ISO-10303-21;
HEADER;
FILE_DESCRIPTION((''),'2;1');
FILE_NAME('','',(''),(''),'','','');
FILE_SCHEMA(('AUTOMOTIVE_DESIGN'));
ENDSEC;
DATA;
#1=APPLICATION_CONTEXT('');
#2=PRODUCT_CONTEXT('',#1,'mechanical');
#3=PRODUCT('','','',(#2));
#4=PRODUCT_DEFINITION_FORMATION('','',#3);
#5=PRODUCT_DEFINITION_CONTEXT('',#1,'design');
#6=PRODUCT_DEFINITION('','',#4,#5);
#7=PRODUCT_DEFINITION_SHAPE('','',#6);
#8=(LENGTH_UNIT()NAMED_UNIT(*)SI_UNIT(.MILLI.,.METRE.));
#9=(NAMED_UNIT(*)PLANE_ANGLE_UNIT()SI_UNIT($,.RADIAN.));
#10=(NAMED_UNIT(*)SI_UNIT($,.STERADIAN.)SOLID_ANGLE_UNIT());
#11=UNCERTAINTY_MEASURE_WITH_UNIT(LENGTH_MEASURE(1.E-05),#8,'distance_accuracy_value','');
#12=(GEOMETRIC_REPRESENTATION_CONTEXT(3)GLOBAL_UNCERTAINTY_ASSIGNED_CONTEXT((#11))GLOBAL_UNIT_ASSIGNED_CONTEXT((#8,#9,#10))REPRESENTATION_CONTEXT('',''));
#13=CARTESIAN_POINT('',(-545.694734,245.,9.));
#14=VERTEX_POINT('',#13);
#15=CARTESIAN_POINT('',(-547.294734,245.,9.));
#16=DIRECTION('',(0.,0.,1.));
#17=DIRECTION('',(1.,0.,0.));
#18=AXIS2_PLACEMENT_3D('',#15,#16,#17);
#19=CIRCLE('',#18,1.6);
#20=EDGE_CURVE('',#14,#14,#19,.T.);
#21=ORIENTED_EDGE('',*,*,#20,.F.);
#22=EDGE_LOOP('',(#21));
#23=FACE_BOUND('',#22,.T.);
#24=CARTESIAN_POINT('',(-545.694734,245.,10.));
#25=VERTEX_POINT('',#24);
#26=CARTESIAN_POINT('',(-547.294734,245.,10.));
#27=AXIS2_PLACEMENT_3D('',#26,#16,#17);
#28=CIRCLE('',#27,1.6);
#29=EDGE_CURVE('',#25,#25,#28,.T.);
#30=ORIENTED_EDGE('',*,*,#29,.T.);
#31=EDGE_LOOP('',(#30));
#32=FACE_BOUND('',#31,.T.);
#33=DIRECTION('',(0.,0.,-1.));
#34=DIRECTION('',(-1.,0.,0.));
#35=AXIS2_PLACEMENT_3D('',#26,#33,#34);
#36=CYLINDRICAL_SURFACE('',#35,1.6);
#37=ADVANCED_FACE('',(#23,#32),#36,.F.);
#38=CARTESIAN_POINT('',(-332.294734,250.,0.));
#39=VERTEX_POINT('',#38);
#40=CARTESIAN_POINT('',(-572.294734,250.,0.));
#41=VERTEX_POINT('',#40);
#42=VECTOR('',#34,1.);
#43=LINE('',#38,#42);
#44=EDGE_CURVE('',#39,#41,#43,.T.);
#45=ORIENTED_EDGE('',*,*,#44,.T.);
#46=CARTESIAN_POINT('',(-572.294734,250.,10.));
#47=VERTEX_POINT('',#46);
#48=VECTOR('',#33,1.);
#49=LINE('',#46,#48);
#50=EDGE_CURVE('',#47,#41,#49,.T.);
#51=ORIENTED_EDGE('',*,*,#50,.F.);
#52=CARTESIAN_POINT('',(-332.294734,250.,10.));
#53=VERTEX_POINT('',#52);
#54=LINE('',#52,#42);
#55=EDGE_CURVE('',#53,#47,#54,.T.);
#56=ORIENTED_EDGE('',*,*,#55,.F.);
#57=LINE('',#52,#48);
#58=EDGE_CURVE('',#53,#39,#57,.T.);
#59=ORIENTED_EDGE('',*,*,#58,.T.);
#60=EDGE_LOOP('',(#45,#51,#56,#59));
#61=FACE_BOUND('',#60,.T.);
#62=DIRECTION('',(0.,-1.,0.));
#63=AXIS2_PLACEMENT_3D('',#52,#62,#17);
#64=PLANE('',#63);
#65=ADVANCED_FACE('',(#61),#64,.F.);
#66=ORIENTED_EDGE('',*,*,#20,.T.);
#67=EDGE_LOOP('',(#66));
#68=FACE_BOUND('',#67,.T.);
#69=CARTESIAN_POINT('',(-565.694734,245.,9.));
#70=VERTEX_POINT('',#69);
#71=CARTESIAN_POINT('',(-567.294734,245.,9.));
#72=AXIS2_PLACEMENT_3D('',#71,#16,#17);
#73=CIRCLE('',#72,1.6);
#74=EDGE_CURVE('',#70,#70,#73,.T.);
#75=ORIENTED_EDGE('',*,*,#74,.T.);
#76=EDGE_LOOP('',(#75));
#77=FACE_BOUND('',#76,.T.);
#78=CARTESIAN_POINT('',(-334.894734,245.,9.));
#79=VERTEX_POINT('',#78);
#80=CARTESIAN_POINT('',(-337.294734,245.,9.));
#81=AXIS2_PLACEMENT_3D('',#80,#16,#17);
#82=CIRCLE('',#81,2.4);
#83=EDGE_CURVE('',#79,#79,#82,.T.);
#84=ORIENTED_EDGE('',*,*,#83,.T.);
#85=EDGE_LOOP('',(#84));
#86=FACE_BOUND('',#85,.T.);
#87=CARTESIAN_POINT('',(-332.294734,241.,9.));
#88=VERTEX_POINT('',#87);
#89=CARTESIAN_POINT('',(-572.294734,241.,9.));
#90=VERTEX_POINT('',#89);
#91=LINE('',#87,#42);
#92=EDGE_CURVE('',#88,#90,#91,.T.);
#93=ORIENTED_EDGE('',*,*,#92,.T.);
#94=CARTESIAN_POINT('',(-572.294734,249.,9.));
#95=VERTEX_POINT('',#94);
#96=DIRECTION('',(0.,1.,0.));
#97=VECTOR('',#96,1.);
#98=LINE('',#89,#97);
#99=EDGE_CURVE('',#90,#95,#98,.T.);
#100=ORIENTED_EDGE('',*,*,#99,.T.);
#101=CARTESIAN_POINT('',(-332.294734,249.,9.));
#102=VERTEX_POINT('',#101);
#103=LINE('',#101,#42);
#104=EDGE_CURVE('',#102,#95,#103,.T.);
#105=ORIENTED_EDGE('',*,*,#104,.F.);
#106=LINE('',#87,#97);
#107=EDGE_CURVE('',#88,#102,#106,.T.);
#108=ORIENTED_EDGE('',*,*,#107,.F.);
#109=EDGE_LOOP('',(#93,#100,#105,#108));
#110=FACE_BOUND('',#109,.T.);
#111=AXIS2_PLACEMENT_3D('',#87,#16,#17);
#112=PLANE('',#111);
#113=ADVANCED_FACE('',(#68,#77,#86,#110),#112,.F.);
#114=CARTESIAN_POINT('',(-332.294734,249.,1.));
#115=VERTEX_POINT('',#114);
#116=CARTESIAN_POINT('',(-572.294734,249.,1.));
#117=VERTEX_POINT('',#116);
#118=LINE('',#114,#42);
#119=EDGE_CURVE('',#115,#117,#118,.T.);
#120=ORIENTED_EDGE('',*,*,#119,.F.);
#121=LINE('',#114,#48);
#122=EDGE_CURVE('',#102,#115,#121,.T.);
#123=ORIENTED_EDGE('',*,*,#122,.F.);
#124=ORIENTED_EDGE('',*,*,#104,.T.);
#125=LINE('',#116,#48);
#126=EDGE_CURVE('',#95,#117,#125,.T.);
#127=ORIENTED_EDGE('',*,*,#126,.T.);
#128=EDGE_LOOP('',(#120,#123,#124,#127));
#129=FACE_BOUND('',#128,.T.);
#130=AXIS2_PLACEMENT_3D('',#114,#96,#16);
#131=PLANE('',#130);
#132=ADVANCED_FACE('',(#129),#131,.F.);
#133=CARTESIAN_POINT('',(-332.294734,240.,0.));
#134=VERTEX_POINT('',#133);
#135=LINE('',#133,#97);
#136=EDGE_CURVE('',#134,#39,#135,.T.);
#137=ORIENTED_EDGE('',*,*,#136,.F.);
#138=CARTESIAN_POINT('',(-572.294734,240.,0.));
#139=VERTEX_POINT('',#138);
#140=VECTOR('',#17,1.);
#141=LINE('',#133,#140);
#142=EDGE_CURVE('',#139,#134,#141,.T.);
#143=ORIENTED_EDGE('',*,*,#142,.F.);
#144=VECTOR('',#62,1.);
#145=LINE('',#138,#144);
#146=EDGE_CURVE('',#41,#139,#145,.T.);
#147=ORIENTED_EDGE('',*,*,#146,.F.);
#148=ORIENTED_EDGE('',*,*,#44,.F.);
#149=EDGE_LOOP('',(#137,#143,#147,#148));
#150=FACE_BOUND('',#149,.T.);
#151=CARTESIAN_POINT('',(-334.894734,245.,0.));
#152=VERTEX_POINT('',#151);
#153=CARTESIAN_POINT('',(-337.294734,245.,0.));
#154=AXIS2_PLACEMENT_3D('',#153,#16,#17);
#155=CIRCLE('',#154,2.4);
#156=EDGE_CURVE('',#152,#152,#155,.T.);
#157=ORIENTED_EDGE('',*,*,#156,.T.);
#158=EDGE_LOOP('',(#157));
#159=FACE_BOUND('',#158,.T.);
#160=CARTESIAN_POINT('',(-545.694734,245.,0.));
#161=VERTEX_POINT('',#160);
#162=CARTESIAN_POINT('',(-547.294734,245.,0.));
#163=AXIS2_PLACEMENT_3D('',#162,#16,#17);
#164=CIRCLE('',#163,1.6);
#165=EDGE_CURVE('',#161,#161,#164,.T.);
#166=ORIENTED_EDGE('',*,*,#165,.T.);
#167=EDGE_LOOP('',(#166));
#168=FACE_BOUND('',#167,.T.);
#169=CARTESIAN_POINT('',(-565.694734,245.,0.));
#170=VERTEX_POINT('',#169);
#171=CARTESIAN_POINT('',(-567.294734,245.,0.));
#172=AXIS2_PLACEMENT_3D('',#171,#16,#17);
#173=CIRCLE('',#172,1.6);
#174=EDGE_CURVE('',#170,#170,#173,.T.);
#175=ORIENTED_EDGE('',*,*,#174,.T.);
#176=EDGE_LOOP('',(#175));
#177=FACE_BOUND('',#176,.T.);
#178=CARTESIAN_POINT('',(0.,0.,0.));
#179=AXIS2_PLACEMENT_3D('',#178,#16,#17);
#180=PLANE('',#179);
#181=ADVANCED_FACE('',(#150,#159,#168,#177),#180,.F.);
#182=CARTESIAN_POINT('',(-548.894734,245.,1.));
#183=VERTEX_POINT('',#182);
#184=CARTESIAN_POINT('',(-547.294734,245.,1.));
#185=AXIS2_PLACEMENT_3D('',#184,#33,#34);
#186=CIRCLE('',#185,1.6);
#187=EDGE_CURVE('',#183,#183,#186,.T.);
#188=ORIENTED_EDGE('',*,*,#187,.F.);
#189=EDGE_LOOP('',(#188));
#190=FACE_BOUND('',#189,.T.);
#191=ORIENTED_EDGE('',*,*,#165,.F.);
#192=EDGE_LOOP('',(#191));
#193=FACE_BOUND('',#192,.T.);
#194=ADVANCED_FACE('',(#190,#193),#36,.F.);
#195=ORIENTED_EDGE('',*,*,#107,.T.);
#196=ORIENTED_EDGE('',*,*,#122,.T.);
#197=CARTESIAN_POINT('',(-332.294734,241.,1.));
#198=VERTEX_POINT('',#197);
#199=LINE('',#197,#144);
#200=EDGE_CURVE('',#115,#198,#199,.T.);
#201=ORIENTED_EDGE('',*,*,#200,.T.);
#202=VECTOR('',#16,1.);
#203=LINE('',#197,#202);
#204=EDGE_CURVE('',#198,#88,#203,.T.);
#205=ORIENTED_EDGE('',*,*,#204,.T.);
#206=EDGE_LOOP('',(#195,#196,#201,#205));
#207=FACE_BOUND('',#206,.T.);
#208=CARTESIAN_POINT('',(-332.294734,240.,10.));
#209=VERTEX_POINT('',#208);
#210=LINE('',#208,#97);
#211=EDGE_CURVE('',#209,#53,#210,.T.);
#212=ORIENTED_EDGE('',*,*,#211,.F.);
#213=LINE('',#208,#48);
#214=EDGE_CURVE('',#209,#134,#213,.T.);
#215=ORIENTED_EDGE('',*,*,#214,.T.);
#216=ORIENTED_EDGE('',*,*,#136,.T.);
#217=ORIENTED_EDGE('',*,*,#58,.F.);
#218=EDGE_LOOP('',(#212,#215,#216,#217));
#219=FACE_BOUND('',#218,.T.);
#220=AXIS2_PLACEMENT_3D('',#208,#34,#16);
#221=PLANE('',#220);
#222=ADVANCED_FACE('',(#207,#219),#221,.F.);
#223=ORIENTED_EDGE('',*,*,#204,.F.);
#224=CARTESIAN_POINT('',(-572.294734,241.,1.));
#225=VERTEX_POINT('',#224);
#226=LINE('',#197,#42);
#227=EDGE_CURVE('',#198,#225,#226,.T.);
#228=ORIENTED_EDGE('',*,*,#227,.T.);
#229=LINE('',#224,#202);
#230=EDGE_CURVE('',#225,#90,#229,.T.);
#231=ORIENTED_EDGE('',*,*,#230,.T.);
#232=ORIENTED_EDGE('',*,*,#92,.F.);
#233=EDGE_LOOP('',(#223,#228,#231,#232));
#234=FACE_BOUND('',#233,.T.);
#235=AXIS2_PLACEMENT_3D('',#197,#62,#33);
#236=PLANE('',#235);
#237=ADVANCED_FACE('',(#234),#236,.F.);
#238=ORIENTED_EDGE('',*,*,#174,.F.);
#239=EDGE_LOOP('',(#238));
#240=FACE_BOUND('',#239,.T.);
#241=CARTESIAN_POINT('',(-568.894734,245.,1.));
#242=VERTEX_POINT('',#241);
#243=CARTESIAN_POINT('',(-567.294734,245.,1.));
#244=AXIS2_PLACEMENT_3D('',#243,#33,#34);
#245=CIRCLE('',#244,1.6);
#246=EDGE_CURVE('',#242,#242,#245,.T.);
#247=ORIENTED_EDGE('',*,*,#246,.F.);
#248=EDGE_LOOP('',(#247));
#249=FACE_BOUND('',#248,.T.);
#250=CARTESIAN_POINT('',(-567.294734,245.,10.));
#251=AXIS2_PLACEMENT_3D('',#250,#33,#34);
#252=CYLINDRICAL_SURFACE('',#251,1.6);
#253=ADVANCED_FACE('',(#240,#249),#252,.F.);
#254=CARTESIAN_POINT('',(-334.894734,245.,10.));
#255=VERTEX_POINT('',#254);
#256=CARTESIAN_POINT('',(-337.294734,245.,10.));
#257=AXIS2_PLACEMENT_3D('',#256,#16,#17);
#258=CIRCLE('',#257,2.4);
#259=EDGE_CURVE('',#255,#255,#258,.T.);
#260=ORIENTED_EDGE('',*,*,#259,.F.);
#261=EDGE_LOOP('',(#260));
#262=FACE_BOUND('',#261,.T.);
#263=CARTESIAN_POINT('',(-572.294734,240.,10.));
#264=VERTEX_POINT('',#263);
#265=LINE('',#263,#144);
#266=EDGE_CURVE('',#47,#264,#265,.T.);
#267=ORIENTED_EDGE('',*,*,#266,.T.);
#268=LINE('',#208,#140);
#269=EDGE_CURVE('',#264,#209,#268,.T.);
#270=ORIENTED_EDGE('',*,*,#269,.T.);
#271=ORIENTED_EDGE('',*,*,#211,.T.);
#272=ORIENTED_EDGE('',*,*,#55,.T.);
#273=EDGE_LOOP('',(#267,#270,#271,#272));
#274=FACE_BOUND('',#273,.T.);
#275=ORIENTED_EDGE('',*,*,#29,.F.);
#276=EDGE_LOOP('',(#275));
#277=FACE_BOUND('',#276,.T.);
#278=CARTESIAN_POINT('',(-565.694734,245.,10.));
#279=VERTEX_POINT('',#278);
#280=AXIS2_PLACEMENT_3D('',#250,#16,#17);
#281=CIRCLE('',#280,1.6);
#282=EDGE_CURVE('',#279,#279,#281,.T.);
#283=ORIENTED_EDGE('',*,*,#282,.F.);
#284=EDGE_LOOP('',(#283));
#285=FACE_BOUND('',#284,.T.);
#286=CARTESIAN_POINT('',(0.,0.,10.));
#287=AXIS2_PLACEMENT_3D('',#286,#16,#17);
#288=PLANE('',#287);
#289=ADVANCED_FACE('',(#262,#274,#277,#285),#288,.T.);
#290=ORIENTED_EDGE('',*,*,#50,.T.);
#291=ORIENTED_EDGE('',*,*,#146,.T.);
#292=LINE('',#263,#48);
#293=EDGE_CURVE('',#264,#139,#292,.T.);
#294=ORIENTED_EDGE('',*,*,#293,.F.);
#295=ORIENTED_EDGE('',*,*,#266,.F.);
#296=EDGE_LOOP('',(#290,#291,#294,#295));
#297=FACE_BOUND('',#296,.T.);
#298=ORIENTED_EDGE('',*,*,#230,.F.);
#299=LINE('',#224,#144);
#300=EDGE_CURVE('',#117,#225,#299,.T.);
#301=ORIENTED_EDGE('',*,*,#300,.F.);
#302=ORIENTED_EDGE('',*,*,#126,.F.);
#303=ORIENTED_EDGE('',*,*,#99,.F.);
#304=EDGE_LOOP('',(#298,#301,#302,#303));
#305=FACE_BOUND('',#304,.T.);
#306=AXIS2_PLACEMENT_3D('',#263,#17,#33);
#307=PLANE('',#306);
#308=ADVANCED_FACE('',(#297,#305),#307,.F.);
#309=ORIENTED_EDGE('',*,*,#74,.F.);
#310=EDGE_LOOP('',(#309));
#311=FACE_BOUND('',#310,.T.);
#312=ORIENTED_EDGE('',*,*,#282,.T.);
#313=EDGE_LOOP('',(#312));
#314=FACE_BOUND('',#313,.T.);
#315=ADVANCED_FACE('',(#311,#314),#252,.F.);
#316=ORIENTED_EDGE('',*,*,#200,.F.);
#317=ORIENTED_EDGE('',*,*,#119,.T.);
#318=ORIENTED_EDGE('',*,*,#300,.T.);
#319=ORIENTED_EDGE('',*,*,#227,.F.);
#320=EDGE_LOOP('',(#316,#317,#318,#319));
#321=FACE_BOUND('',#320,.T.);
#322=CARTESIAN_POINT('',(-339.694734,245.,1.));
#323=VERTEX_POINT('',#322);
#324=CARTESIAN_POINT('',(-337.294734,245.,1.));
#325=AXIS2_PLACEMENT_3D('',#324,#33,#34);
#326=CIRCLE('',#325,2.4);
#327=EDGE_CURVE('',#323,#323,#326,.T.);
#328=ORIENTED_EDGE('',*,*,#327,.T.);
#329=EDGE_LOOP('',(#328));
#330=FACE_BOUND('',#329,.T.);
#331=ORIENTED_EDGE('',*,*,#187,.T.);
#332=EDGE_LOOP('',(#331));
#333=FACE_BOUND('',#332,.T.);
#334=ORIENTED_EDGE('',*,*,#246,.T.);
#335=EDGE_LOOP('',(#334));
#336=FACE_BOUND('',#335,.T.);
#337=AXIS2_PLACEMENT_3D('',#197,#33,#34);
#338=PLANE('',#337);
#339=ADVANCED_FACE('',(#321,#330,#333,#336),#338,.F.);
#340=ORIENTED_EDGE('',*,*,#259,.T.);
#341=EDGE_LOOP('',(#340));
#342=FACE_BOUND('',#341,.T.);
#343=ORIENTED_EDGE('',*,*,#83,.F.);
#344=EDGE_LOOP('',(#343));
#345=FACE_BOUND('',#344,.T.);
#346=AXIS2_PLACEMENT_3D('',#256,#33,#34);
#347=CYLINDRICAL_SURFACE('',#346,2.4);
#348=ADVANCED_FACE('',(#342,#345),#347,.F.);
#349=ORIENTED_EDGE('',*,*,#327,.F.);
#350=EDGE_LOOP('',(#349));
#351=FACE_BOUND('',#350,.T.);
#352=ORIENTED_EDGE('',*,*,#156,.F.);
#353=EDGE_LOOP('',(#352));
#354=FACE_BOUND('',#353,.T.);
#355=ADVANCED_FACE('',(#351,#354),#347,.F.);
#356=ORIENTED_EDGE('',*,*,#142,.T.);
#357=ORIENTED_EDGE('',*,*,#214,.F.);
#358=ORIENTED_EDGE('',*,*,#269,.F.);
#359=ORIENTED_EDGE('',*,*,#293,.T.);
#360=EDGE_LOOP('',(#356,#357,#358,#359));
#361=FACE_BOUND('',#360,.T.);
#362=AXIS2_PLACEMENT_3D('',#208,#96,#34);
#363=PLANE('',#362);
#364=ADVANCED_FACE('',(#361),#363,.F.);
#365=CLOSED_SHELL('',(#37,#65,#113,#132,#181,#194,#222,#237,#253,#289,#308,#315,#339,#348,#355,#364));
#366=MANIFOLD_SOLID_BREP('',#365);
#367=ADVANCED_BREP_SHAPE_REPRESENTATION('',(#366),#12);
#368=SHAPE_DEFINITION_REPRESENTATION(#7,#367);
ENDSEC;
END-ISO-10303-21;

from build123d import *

# Parameters (mm, degrees)
SKETCH_1_W          = 240
SKETCH_1_H          = 10
SKETCH_1_R          = 1.6
SKETCH_1_R_2        = 2.4
EXTRUDE_1_DEPTH     = 10
SKETCH_2_W          = 8
SKETCH_2_H          = 8
CUT_EXTRUDE_1_DEPTH = 347.698716467


with BuildPart() as part:
    # ｽｹｯﾁ1 → ﾎﾞｽ - 押し出し1 (new body)
    with BuildSketch(Plane.XY):
        with Locations((-452.2947342, 245)):
            Rectangle(SKETCH_1_W, SKETCH_1_H)
        with Locations((-567.2947342, 244.999999998)):
            Circle(SKETCH_1_R, mode=Mode.SUBTRACT)
        with Locations((-547.2947342, 244.999999998)):
            Circle(SKETCH_1_R, mode=Mode.SUBTRACT)
        with Locations((-337.2947342, 245)):
            Circle(SKETCH_1_R_2, mode=Mode.SUBTRACT)
    extrude(amount=EXTRUDE_1_DEPTH)

    # ｽｹｯﾁ2 → ｶｯﾄ - 押し出し1 (cut, through all)
    with BuildSketch(Plane.ZY.offset(572.2947342)):
        with Locations((5, 245)):
            Rectangle(SKETCH_2_W, SKETCH_2_H)
    extrude(amount=-CUT_EXTRUDE_1_DEPTH, mode=Mode.SUBTRACT)


solid = part.part
